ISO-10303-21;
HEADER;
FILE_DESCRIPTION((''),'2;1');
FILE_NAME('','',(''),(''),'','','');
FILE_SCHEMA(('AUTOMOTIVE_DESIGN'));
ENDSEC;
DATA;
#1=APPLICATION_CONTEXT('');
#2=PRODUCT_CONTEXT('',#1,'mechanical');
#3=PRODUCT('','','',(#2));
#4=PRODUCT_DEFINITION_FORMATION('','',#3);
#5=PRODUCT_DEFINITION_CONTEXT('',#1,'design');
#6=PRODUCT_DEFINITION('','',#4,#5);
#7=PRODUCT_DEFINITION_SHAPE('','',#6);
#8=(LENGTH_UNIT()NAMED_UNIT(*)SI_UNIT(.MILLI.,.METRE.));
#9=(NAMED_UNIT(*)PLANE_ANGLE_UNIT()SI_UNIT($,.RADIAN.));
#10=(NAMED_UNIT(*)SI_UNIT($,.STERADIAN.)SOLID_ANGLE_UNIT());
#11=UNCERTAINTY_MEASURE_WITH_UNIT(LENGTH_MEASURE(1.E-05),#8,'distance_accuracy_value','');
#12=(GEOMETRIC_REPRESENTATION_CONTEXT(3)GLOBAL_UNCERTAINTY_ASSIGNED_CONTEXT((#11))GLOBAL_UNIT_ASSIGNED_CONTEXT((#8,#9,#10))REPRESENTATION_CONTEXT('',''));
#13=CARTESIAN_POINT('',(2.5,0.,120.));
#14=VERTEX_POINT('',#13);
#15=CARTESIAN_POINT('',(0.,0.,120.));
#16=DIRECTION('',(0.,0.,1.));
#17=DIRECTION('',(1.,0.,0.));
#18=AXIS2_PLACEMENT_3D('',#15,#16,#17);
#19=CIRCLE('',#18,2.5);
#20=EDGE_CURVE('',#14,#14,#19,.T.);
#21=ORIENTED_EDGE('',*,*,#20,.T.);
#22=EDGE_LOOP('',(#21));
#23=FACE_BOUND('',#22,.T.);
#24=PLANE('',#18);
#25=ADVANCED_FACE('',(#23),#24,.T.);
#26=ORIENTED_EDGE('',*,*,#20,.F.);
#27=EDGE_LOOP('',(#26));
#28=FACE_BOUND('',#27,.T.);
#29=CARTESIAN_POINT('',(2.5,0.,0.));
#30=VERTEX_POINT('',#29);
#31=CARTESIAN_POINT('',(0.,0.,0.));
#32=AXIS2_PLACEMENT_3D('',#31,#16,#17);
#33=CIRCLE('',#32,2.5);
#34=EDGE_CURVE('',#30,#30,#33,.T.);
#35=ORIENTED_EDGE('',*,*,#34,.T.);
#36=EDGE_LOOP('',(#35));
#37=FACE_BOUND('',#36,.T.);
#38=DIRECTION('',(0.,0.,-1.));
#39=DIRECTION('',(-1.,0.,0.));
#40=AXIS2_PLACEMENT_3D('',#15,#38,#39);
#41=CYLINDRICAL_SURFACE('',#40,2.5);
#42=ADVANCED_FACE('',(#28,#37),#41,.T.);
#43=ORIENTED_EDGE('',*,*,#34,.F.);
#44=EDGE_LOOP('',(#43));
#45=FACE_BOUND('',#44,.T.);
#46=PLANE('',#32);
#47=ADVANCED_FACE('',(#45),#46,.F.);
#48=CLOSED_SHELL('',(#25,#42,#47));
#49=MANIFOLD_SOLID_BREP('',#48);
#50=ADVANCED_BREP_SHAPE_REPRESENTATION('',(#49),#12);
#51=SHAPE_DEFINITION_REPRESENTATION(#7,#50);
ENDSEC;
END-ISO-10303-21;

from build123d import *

# Parameters (mm, degrees)
CROQUIS2_R              = 2.5
SALIENTE_EXTRUIR1_DEPTH = 120


with BuildPart() as part:
    # Croquis2 → Saliente-Extruir1 (new body)
    with BuildSketch(Plane.XY):
        Circle(CROQUIS2_R)
    extrude(amount=SALIENTE_EXTRUIR1_DEPTH)


solid = part.part
